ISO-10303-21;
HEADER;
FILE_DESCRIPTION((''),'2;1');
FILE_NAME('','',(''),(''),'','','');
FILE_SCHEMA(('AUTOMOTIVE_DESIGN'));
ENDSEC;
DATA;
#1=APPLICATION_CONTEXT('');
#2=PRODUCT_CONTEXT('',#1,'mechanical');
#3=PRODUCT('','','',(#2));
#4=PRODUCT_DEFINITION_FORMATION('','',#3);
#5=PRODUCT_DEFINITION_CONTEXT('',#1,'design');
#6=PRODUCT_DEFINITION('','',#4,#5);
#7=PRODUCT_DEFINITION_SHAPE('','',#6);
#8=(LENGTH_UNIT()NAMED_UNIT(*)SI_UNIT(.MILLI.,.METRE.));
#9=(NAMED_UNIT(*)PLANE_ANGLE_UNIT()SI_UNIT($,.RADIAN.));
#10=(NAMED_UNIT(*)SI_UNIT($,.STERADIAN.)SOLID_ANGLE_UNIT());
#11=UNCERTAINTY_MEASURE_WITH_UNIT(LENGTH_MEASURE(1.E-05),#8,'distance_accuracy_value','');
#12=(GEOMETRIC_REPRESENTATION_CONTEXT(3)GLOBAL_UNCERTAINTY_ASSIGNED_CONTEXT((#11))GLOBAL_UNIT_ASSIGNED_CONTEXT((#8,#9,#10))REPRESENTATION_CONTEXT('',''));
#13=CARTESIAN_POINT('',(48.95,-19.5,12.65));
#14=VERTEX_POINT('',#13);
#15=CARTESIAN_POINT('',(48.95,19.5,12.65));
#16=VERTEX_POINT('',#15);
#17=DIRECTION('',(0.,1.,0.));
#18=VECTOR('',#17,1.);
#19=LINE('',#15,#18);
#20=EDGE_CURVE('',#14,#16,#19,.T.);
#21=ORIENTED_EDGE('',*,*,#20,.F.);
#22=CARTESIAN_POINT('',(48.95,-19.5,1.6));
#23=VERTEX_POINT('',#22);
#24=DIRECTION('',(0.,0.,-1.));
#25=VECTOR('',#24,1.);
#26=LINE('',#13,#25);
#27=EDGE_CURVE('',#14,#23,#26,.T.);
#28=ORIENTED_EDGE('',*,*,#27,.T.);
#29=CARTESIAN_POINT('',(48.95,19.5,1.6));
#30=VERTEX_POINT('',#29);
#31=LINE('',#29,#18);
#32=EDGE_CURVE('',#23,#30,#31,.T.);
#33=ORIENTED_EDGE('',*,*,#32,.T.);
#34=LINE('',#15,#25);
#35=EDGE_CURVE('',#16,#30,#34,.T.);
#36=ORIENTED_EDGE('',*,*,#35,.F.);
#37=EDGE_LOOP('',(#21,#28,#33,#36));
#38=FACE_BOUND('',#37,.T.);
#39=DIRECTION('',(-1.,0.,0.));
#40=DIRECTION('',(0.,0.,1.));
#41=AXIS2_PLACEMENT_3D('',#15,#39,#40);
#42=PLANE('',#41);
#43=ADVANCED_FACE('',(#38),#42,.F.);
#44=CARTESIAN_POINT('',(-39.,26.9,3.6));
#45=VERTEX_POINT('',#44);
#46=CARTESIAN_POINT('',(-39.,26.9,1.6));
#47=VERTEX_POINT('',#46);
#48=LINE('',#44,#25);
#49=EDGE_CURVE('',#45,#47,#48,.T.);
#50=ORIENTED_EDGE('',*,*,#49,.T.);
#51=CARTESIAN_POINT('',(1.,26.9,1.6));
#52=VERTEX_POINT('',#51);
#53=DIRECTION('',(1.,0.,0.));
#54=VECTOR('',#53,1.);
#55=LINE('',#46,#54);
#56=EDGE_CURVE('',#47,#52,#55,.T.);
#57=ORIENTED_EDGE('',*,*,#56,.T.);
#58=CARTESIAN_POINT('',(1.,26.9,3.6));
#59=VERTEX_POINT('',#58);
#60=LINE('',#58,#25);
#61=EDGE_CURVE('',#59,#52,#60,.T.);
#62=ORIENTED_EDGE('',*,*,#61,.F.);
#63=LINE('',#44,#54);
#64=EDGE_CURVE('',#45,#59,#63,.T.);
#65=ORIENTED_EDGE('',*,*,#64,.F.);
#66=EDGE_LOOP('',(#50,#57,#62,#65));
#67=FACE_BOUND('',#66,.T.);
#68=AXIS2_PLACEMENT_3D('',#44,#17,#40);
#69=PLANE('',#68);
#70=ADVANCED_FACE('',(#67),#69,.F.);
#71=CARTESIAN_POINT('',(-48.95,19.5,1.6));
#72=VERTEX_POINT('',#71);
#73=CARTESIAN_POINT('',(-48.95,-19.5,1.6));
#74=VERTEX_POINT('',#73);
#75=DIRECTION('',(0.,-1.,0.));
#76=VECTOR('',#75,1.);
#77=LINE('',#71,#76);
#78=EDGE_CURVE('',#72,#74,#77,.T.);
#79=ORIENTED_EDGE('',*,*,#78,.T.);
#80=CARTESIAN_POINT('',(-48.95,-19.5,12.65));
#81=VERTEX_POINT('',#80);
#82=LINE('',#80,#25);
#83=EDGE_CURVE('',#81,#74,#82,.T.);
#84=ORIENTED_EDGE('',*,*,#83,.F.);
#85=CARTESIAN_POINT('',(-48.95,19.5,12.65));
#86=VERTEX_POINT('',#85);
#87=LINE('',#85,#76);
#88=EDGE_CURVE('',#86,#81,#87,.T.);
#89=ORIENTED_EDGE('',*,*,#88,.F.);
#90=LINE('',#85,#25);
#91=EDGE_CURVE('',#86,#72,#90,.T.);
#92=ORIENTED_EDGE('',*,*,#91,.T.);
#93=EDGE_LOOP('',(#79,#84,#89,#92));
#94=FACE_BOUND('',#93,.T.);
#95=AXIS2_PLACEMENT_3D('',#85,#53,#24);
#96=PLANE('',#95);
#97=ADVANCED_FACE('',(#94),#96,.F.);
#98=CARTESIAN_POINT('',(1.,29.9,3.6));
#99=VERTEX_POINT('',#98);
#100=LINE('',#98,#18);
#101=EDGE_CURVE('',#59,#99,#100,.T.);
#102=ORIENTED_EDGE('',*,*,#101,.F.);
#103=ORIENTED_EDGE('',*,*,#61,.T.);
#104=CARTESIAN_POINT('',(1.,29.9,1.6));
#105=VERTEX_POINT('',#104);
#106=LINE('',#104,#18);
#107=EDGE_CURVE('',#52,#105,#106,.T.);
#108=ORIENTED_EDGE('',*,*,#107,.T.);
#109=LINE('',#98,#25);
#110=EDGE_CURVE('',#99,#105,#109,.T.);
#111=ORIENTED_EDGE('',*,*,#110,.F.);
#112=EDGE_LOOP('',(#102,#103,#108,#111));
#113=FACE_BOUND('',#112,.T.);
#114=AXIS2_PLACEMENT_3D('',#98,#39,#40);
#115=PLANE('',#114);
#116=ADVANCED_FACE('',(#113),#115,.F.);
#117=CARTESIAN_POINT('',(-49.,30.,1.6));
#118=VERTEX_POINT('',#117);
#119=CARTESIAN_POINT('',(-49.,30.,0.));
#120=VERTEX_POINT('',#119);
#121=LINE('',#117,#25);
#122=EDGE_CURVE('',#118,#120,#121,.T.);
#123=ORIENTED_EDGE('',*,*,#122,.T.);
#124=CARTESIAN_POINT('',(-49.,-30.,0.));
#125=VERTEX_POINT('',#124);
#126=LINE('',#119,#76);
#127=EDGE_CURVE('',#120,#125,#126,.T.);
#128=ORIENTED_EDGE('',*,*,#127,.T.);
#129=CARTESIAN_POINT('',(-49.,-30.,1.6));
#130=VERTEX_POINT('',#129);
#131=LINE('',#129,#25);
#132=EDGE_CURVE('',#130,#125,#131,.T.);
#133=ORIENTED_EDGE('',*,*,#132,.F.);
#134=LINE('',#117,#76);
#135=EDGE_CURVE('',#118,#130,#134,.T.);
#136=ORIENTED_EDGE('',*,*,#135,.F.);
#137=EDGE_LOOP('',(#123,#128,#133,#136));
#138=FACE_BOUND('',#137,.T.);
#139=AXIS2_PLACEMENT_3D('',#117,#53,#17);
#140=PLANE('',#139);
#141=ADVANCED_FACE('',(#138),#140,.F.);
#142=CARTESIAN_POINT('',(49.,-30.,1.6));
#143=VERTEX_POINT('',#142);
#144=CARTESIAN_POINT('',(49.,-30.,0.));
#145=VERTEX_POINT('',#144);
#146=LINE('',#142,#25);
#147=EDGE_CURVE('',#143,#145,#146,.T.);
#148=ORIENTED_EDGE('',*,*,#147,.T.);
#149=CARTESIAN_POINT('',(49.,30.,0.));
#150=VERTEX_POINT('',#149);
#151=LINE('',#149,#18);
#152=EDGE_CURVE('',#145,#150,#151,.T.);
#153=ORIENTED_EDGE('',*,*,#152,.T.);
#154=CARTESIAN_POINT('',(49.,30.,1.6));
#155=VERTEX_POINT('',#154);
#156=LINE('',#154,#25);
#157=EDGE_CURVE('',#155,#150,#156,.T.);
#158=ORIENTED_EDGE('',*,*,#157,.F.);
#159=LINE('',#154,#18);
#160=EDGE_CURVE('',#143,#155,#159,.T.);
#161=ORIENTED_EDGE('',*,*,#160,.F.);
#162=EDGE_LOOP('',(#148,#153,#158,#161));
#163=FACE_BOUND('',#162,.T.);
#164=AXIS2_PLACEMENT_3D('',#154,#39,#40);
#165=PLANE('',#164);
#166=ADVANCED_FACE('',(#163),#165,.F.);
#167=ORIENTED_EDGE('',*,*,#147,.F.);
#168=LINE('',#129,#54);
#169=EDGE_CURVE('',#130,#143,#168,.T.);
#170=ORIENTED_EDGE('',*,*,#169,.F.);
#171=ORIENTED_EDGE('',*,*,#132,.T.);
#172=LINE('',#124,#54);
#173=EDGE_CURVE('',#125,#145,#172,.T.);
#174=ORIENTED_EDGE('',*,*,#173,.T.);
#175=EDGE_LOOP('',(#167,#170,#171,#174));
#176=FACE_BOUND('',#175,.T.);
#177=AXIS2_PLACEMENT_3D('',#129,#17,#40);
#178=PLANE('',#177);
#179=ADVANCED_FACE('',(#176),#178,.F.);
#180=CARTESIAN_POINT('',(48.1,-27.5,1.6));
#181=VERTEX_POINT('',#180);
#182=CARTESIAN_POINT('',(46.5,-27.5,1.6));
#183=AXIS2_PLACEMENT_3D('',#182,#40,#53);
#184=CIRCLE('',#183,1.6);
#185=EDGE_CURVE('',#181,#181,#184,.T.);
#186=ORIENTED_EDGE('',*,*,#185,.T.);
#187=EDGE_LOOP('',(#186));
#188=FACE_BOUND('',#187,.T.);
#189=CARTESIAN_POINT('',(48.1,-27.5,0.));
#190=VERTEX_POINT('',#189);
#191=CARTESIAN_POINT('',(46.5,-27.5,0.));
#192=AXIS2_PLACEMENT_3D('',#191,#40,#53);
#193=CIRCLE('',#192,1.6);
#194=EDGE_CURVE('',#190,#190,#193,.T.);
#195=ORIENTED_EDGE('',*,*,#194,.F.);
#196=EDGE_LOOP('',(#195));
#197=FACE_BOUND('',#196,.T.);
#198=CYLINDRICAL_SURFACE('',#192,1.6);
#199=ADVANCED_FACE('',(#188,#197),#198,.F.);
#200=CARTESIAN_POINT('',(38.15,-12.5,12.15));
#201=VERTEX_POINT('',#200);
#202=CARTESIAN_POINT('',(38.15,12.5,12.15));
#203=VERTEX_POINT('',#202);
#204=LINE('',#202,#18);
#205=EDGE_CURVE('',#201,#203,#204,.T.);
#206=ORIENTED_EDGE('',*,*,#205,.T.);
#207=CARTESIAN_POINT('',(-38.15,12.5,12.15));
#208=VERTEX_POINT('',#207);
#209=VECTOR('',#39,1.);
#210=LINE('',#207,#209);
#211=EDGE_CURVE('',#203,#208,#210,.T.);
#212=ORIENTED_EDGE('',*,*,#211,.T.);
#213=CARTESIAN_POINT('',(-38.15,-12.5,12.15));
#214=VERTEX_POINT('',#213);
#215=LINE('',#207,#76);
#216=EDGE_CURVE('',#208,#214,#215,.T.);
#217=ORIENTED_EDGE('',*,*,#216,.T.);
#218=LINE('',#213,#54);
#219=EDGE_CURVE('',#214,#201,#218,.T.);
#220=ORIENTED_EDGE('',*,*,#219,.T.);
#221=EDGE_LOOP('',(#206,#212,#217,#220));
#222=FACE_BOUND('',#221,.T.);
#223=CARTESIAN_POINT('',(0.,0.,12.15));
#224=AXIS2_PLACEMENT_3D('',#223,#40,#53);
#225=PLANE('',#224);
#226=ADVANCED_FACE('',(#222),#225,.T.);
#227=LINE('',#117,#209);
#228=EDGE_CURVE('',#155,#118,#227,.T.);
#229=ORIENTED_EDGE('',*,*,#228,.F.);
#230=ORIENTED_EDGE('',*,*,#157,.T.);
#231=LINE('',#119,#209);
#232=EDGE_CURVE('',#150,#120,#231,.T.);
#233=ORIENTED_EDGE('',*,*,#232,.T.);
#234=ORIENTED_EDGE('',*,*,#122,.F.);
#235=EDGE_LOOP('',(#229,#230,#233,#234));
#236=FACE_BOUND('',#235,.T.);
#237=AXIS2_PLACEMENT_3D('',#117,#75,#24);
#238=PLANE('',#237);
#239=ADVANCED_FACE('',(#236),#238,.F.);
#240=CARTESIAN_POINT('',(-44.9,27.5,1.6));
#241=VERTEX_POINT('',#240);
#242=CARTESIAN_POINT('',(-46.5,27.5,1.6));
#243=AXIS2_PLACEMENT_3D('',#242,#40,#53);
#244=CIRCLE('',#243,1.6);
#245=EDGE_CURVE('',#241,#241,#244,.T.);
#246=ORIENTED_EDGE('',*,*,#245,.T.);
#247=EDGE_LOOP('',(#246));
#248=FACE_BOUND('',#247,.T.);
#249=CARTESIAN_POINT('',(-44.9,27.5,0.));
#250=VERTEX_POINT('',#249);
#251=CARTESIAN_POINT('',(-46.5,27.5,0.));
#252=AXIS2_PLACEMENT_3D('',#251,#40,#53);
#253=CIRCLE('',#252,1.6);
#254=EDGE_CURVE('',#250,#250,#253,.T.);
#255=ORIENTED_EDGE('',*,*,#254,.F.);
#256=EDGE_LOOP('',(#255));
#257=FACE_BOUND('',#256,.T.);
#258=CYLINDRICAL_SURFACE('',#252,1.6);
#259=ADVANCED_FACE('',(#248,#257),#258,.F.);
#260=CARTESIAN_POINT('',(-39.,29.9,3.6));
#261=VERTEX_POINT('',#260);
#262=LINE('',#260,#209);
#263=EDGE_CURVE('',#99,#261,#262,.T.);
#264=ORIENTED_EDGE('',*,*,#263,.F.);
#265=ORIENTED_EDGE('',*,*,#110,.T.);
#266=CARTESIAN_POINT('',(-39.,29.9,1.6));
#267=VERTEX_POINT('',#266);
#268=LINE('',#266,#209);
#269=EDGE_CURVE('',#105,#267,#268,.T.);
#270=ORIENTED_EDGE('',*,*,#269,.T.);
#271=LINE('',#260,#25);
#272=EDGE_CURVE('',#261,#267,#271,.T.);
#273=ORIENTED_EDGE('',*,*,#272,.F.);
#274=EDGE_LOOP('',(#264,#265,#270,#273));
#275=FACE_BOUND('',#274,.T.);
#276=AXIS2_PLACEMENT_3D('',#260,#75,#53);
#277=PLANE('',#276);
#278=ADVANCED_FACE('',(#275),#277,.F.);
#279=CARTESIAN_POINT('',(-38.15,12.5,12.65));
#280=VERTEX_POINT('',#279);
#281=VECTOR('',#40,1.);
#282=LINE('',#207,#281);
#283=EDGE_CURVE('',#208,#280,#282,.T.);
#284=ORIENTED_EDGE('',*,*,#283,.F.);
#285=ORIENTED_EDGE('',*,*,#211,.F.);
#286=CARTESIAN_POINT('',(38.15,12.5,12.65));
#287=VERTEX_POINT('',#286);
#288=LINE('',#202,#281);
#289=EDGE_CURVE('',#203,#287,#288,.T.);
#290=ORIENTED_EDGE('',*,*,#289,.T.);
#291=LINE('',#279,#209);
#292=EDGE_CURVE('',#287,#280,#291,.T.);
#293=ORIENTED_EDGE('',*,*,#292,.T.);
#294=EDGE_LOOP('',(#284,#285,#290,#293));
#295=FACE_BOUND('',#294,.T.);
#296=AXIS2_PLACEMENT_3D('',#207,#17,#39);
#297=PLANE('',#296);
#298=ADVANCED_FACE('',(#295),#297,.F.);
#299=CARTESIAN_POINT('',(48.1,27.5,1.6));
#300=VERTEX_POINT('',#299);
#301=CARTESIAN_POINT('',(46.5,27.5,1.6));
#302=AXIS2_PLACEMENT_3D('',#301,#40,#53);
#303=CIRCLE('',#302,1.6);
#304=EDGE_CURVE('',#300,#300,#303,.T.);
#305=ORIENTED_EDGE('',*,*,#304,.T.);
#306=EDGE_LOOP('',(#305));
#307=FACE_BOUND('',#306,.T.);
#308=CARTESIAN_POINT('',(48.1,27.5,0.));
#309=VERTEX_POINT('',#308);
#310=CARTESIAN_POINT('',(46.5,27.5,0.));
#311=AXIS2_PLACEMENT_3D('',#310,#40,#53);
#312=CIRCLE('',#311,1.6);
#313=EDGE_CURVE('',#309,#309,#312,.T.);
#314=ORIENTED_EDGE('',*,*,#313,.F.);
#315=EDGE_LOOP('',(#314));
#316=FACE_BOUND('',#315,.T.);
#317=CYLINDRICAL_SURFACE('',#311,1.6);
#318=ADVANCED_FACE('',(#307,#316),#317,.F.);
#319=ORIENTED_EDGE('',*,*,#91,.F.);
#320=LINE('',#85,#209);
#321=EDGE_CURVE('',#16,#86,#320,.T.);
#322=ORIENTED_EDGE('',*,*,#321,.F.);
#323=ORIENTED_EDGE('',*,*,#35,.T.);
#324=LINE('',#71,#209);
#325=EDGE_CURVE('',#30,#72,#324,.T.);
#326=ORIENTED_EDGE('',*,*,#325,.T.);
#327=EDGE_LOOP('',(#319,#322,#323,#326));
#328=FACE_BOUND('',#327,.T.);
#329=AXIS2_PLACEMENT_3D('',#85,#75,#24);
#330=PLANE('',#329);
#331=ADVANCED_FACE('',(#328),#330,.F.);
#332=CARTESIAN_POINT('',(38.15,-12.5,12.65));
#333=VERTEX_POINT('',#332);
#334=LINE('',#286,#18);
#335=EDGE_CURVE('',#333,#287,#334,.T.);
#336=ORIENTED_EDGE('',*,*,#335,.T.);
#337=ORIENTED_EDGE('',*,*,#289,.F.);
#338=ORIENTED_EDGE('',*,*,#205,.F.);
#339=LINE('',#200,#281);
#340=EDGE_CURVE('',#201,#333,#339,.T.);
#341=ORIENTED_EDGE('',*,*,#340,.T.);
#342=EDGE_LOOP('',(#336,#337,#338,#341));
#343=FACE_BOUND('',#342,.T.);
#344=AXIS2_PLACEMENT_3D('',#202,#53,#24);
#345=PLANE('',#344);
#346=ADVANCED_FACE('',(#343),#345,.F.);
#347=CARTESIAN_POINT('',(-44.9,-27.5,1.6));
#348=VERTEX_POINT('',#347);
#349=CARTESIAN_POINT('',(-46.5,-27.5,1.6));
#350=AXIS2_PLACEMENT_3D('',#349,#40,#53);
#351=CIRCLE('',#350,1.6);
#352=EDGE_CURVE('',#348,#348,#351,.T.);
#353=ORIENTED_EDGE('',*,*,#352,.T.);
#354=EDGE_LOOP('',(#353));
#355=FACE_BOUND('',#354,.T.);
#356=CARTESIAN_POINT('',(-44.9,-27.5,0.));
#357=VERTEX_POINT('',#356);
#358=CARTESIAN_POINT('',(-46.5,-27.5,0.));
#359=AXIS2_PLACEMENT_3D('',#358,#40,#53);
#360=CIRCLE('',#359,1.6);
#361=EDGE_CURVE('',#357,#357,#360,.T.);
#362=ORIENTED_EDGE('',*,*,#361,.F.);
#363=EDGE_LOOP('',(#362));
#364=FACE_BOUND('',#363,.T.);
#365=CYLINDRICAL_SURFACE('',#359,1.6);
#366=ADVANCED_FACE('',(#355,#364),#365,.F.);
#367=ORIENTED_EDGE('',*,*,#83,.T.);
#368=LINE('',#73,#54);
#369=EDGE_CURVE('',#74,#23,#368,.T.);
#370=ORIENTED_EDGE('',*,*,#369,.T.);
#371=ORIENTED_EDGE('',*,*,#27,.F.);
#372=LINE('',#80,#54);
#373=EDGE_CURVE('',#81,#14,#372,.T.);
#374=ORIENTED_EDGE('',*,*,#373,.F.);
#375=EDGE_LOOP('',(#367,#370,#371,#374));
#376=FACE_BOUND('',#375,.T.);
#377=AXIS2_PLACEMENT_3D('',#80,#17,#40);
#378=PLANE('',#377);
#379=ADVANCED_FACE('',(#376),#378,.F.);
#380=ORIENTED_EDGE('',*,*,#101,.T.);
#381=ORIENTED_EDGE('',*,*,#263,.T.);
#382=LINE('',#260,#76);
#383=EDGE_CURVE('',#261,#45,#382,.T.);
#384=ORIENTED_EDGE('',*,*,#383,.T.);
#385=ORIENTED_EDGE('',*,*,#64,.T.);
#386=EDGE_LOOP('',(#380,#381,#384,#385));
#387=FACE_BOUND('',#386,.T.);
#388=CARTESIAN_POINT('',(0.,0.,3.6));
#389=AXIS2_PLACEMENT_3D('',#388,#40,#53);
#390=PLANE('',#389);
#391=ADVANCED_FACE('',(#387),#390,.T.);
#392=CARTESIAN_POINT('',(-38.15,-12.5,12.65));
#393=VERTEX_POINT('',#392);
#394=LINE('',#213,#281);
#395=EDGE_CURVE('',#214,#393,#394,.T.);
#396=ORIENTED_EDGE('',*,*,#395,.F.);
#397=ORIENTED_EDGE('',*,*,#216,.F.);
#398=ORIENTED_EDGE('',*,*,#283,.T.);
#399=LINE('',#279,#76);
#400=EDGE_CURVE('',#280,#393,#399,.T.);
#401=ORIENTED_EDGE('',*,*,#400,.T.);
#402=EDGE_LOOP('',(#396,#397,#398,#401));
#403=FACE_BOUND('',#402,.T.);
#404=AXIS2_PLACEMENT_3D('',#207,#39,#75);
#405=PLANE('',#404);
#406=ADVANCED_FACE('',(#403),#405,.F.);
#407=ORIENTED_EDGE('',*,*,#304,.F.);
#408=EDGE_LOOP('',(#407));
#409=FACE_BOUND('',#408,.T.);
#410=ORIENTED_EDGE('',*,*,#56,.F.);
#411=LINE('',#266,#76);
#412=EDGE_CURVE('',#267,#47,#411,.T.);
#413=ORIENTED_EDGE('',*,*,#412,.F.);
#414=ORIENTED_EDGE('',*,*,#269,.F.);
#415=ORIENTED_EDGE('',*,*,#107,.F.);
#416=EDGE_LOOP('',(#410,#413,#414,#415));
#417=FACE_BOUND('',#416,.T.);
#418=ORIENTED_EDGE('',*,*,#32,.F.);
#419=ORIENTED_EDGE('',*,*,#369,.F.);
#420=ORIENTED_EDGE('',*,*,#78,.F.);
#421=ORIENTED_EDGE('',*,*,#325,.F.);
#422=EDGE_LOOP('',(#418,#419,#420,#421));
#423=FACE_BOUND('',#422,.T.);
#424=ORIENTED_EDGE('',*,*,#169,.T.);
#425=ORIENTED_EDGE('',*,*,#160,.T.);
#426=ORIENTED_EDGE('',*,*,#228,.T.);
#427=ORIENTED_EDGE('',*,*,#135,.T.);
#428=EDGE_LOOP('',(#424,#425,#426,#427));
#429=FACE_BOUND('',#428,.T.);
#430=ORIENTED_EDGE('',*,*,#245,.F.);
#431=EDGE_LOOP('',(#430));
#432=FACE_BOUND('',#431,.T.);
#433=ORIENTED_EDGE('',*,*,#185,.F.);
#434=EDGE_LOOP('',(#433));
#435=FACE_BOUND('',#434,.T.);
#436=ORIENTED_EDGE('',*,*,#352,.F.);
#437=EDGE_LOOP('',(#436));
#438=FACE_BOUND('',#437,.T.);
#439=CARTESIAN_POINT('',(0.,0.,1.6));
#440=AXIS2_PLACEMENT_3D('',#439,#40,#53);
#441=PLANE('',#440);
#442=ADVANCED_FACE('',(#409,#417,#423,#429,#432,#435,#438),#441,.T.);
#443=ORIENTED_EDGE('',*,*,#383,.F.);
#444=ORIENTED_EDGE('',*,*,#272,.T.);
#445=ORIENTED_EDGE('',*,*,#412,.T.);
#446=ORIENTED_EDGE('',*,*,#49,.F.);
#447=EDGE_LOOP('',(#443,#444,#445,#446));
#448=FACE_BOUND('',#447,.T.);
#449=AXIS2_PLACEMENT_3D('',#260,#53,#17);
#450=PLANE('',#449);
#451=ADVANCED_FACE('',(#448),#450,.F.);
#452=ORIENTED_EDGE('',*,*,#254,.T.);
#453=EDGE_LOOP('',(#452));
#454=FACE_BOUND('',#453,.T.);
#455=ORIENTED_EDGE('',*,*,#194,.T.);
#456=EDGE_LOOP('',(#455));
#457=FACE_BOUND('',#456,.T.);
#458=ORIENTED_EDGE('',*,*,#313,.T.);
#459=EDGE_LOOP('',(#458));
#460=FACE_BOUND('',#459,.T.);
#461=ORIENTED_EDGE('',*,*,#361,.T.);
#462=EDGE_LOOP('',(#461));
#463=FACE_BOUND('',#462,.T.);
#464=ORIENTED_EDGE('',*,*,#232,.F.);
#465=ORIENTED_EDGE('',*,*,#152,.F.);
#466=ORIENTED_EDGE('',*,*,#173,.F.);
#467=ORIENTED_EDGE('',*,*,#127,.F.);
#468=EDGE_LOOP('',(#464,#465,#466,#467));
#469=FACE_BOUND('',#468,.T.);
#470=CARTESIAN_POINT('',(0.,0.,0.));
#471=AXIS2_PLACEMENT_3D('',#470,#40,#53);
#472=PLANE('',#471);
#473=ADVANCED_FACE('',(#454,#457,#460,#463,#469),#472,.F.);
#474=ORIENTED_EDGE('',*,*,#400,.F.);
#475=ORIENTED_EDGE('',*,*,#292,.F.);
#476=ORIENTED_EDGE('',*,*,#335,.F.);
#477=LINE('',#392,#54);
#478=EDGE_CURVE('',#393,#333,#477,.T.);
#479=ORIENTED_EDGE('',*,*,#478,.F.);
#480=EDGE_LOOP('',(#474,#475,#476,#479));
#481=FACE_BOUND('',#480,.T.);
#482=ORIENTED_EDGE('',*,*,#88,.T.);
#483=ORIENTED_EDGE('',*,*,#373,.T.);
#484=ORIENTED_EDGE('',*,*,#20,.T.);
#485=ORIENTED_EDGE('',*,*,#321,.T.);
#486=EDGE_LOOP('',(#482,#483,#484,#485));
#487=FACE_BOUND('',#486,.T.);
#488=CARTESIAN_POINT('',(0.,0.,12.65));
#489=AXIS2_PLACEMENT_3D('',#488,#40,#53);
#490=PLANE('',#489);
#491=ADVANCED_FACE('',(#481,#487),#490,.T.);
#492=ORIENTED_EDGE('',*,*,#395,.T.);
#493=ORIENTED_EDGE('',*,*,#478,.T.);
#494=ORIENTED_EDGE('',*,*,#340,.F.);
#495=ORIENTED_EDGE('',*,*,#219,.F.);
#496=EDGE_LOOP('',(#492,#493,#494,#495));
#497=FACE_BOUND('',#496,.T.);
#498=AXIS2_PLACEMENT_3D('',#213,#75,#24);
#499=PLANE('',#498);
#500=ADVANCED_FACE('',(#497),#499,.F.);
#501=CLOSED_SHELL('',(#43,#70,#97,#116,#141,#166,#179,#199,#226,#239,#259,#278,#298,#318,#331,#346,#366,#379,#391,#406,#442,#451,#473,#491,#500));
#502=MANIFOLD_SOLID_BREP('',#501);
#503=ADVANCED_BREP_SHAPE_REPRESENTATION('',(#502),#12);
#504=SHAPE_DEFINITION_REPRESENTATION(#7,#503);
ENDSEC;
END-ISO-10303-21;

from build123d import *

# Parameters (mm, degrees)
ESQUISSE1_W             = 98
ESQUISSE1_H             = 60
BOSS_EXTRU_1_DEPTH      = 1.6
ESQUISSE2_R             = 1.6
ENL_V_MAT_EXTRU_1_DEPTH = 58.476603936
ESQUISSE3_W             = 97.9
ESQUISSE3_H             = 39
BOSS_EXTRU_2_DEPTH      = 11.05
ESQUISSE4_W             = 76.3
ESQUISSE4_H             = 25
ENL_V_MAT_EXTRU_2_DEPTH = 0.5
ESQUISSE5_W             = 40
ESQUISSE5_H             = 3
BOSS_EXTRU_3_DEPTH      = 2


with BuildPart() as part:
    # Esquisse1 → Boss.-Extru.1 (new body)
    with BuildSketch(Plane.XY):
        Rectangle(ESQUISSE1_W, ESQUISSE1_H)
    extrude(amount=BOSS_EXTRU_1_DEPTH)

    # Esquisse2 → Enlèv. mat.-Extru.1 (cut, through all)
    with BuildSketch(Plane.XY.offset(1.6)):
        with Locations((-46.5, 27.5)):
            Circle(ESQUISSE2_R)
        with Locations((-46.5, -27.5)):
            Circle(ESQUISSE2_R)
        with Locations((46.5, -27.5)):
            Circle(ESQUISSE2_R)
        with Locations((46.5, 27.5)):
            Circle(ESQUISSE2_R)
    extrude(amount=-ENL_V_MAT_EXTRU_1_DEPTH, mode=Mode.SUBTRACT)

    # Esquisse3 → Boss.-Extru.2 (add)
    with BuildSketch(Plane.XY.offset(1.6)):
        Rectangle(ESQUISSE3_W, ESQUISSE3_H)
    extrude(amount=BOSS_EXTRU_2_DEPTH)

    # Esquisse4 → Enlèv. mat.-Extru.2 (cut)
    with BuildSketch(Plane.XY.offset(12.65)):
        Rectangle(ESQUISSE4_W, ESQUISSE4_H)
    extrude(amount=-ENL_V_MAT_EXTRU_2_DEPTH, mode=Mode.SUBTRACT)

    # Esquisse5 → Boss.-Extru.3 (add)
    with BuildSketch(Plane.XY.offset(1.6)):
        with Locations((-19, 28.4)):
            Rectangle(ESQUISSE5_W, ESQUISSE5_H)
    extrude(amount=BOSS_EXTRU_3_DEPTH)


solid = part.part
